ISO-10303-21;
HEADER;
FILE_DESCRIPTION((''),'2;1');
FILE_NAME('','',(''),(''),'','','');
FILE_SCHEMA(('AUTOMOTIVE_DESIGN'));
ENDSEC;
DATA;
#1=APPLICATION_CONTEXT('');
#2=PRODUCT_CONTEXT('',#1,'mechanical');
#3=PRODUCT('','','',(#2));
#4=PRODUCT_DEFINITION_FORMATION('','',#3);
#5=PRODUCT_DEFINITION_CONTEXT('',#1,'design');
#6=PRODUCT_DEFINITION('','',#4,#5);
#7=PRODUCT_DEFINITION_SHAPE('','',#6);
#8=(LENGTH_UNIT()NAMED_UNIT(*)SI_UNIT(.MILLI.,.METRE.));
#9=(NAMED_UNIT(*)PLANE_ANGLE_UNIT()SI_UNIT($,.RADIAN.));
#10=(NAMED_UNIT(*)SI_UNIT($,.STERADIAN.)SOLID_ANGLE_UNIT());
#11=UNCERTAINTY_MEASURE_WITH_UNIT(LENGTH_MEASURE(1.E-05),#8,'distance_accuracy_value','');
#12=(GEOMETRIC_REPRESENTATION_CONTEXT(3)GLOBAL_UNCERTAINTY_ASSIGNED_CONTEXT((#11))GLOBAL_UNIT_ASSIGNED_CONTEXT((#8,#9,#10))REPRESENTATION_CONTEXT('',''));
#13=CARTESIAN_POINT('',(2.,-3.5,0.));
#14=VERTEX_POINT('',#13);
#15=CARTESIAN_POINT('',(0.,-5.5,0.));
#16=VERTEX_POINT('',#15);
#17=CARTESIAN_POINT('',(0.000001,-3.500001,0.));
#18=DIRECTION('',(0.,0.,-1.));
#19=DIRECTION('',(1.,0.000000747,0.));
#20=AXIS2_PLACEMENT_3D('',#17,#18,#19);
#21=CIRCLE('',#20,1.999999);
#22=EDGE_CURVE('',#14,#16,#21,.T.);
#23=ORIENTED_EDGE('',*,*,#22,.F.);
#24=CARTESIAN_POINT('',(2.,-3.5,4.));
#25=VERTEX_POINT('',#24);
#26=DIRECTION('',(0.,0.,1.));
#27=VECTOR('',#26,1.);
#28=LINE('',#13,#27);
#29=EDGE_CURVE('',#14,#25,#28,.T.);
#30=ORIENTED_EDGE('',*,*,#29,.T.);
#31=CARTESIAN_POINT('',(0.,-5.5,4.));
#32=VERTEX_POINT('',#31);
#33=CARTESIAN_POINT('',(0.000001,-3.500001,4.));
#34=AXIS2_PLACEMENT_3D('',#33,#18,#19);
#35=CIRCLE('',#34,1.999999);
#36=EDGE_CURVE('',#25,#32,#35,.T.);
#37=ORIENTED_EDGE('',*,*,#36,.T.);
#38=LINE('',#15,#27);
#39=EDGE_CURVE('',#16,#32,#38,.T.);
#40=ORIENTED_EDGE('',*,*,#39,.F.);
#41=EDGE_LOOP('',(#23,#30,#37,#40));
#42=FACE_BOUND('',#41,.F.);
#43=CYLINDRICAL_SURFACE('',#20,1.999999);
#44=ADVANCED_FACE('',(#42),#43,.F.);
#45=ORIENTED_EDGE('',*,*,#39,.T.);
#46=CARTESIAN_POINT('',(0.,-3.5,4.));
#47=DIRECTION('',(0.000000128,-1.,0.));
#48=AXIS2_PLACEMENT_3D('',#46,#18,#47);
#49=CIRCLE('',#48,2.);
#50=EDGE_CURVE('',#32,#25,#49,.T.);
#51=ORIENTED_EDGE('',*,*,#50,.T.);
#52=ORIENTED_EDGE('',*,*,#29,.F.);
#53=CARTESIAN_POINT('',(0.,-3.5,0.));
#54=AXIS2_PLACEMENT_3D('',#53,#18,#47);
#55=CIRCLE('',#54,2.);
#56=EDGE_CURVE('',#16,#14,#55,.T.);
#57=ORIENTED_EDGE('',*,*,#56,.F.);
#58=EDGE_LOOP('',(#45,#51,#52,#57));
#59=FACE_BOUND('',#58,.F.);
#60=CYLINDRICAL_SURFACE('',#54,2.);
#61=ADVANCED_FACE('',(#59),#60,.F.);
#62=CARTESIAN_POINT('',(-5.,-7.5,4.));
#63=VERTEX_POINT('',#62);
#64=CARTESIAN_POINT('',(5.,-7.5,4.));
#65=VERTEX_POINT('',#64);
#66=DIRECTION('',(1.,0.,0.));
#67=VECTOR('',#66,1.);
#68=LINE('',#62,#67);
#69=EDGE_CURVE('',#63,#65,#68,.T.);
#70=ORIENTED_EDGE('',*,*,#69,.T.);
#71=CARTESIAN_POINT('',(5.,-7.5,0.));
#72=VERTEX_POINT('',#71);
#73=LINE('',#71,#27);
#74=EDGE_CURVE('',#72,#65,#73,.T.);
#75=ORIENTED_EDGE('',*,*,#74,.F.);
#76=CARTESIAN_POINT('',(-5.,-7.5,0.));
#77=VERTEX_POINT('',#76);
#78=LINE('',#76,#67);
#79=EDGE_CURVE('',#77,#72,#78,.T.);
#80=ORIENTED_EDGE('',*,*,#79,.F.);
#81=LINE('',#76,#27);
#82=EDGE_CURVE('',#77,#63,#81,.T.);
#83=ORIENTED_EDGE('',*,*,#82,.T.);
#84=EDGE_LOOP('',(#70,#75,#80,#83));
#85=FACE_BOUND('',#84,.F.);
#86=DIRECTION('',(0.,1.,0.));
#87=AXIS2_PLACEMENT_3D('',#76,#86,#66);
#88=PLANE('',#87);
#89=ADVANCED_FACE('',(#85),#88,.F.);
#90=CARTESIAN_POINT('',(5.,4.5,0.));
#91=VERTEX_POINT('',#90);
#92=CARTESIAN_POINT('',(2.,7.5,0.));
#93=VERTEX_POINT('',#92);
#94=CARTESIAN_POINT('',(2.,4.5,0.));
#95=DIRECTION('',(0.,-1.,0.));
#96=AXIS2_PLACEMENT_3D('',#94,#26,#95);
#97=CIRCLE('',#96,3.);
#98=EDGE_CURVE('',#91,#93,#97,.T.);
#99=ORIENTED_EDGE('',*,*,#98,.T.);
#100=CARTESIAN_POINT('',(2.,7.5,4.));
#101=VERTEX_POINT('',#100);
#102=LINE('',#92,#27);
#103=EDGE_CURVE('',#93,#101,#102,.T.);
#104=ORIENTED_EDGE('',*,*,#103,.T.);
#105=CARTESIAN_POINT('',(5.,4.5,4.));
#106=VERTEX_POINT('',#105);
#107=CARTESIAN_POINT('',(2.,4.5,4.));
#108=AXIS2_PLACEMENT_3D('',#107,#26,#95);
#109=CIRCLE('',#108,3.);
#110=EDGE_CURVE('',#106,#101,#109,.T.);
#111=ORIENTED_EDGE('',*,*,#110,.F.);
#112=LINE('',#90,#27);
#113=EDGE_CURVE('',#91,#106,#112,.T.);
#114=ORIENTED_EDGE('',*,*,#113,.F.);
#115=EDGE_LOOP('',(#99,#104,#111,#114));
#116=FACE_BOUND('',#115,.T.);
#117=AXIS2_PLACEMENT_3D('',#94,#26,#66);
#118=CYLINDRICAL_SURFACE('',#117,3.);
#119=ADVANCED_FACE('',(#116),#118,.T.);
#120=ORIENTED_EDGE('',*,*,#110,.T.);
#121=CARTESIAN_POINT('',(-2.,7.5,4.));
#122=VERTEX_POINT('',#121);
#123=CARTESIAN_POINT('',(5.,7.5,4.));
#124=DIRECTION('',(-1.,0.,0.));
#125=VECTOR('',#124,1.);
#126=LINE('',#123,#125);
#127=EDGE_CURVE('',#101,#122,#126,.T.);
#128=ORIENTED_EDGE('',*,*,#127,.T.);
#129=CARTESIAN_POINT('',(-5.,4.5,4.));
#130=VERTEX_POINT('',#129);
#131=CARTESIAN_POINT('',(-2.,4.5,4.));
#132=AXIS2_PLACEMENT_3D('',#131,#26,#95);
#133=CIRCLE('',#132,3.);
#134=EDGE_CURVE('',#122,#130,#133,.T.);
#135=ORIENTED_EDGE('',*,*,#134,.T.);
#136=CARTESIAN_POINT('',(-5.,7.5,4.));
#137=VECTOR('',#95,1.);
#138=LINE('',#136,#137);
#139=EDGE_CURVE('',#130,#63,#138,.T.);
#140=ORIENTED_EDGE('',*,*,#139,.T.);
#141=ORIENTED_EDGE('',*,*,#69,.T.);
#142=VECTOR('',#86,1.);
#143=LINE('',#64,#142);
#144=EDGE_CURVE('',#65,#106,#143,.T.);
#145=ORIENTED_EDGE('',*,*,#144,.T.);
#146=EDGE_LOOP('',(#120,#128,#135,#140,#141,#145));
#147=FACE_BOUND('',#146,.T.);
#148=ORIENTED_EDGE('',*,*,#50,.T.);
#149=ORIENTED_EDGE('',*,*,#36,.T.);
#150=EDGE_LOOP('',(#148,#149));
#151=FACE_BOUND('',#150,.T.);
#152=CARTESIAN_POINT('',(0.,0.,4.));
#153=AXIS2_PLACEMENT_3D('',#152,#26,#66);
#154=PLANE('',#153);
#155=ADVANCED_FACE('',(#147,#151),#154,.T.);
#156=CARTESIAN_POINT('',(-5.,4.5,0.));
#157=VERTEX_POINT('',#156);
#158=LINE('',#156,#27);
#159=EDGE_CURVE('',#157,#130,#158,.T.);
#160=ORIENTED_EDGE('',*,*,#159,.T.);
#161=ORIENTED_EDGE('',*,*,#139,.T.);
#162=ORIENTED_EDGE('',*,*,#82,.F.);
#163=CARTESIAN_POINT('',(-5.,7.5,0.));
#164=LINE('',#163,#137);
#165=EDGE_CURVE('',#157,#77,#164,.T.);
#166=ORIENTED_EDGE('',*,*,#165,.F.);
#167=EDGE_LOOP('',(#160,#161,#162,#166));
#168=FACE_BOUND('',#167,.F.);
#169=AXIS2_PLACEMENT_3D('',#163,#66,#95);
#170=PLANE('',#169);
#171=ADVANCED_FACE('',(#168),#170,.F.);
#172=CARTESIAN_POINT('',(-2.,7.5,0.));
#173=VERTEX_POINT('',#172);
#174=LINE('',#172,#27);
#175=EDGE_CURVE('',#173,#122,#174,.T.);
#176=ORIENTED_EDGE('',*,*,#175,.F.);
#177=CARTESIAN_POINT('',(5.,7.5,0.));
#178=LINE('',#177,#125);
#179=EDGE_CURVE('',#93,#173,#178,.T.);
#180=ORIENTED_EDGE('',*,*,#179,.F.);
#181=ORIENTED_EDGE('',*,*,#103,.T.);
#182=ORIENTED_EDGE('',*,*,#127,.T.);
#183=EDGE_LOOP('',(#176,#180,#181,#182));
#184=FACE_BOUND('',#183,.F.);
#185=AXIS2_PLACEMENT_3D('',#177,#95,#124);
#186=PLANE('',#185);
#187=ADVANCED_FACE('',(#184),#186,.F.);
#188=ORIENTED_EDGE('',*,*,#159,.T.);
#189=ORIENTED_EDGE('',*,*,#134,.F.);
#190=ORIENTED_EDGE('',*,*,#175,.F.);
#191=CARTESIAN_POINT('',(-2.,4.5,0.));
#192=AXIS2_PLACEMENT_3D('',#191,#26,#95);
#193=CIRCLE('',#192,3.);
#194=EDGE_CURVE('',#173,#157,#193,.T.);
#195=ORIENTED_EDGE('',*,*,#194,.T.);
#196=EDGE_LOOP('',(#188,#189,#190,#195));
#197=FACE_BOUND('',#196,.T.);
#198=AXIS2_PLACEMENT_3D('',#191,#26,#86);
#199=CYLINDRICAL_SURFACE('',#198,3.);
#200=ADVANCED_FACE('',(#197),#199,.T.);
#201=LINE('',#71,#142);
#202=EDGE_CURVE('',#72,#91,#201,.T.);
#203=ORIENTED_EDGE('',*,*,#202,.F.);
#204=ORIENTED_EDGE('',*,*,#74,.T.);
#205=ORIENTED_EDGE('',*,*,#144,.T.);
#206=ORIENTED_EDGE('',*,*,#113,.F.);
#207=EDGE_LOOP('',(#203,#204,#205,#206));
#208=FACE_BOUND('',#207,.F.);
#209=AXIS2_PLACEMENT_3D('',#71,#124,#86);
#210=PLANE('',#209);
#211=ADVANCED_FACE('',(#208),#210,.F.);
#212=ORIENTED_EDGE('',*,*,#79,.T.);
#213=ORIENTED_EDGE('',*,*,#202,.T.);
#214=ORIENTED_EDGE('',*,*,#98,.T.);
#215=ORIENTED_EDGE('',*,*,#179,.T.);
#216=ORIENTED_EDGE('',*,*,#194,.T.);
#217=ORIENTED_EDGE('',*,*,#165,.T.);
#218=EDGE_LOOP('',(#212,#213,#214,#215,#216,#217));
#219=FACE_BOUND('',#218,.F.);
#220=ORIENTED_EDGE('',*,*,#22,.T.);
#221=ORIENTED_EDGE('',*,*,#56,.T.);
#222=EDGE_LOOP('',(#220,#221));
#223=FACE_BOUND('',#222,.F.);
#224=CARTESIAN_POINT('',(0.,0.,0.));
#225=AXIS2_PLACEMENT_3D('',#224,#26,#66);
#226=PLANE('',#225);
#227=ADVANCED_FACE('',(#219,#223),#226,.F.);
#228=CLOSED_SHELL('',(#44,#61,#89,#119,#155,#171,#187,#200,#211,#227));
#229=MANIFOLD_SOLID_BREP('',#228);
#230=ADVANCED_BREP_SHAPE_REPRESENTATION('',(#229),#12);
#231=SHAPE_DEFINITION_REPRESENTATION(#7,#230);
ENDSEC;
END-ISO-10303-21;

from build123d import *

# Parameters (mm, degrees)
F1_DEPTH = 4
F2_R     = 3


with BuildPart() as f1:
    # F0 (on Top) → F1 (new body)
    with BuildSketch(Plane.XY):
        Polygon((5, -7.5), (5, 7.5), (-5, 7.5), (-5, -7.5), (0, -7.5), align=None)
        with BuildLine():
            ThreePointArc((2, -3.5), (1.414214, -4.914214), (0, -5.5))
            ThreePointArc((0, -5.5), (-1.414214, -2.085786), (2, -3.5))
        make_face(mode=Mode.SUBTRACT)
    extrude(amount=F1_DEPTH)

    # F2
    f2_edges = [f1.edges().sort_by_distance(p)[0] for p in [
        (-5, 7.5, 2),
        (5, 7.5, 2),
    ]]
    fillet(f2_edges, radius=F2_R)


solid = f1.part
